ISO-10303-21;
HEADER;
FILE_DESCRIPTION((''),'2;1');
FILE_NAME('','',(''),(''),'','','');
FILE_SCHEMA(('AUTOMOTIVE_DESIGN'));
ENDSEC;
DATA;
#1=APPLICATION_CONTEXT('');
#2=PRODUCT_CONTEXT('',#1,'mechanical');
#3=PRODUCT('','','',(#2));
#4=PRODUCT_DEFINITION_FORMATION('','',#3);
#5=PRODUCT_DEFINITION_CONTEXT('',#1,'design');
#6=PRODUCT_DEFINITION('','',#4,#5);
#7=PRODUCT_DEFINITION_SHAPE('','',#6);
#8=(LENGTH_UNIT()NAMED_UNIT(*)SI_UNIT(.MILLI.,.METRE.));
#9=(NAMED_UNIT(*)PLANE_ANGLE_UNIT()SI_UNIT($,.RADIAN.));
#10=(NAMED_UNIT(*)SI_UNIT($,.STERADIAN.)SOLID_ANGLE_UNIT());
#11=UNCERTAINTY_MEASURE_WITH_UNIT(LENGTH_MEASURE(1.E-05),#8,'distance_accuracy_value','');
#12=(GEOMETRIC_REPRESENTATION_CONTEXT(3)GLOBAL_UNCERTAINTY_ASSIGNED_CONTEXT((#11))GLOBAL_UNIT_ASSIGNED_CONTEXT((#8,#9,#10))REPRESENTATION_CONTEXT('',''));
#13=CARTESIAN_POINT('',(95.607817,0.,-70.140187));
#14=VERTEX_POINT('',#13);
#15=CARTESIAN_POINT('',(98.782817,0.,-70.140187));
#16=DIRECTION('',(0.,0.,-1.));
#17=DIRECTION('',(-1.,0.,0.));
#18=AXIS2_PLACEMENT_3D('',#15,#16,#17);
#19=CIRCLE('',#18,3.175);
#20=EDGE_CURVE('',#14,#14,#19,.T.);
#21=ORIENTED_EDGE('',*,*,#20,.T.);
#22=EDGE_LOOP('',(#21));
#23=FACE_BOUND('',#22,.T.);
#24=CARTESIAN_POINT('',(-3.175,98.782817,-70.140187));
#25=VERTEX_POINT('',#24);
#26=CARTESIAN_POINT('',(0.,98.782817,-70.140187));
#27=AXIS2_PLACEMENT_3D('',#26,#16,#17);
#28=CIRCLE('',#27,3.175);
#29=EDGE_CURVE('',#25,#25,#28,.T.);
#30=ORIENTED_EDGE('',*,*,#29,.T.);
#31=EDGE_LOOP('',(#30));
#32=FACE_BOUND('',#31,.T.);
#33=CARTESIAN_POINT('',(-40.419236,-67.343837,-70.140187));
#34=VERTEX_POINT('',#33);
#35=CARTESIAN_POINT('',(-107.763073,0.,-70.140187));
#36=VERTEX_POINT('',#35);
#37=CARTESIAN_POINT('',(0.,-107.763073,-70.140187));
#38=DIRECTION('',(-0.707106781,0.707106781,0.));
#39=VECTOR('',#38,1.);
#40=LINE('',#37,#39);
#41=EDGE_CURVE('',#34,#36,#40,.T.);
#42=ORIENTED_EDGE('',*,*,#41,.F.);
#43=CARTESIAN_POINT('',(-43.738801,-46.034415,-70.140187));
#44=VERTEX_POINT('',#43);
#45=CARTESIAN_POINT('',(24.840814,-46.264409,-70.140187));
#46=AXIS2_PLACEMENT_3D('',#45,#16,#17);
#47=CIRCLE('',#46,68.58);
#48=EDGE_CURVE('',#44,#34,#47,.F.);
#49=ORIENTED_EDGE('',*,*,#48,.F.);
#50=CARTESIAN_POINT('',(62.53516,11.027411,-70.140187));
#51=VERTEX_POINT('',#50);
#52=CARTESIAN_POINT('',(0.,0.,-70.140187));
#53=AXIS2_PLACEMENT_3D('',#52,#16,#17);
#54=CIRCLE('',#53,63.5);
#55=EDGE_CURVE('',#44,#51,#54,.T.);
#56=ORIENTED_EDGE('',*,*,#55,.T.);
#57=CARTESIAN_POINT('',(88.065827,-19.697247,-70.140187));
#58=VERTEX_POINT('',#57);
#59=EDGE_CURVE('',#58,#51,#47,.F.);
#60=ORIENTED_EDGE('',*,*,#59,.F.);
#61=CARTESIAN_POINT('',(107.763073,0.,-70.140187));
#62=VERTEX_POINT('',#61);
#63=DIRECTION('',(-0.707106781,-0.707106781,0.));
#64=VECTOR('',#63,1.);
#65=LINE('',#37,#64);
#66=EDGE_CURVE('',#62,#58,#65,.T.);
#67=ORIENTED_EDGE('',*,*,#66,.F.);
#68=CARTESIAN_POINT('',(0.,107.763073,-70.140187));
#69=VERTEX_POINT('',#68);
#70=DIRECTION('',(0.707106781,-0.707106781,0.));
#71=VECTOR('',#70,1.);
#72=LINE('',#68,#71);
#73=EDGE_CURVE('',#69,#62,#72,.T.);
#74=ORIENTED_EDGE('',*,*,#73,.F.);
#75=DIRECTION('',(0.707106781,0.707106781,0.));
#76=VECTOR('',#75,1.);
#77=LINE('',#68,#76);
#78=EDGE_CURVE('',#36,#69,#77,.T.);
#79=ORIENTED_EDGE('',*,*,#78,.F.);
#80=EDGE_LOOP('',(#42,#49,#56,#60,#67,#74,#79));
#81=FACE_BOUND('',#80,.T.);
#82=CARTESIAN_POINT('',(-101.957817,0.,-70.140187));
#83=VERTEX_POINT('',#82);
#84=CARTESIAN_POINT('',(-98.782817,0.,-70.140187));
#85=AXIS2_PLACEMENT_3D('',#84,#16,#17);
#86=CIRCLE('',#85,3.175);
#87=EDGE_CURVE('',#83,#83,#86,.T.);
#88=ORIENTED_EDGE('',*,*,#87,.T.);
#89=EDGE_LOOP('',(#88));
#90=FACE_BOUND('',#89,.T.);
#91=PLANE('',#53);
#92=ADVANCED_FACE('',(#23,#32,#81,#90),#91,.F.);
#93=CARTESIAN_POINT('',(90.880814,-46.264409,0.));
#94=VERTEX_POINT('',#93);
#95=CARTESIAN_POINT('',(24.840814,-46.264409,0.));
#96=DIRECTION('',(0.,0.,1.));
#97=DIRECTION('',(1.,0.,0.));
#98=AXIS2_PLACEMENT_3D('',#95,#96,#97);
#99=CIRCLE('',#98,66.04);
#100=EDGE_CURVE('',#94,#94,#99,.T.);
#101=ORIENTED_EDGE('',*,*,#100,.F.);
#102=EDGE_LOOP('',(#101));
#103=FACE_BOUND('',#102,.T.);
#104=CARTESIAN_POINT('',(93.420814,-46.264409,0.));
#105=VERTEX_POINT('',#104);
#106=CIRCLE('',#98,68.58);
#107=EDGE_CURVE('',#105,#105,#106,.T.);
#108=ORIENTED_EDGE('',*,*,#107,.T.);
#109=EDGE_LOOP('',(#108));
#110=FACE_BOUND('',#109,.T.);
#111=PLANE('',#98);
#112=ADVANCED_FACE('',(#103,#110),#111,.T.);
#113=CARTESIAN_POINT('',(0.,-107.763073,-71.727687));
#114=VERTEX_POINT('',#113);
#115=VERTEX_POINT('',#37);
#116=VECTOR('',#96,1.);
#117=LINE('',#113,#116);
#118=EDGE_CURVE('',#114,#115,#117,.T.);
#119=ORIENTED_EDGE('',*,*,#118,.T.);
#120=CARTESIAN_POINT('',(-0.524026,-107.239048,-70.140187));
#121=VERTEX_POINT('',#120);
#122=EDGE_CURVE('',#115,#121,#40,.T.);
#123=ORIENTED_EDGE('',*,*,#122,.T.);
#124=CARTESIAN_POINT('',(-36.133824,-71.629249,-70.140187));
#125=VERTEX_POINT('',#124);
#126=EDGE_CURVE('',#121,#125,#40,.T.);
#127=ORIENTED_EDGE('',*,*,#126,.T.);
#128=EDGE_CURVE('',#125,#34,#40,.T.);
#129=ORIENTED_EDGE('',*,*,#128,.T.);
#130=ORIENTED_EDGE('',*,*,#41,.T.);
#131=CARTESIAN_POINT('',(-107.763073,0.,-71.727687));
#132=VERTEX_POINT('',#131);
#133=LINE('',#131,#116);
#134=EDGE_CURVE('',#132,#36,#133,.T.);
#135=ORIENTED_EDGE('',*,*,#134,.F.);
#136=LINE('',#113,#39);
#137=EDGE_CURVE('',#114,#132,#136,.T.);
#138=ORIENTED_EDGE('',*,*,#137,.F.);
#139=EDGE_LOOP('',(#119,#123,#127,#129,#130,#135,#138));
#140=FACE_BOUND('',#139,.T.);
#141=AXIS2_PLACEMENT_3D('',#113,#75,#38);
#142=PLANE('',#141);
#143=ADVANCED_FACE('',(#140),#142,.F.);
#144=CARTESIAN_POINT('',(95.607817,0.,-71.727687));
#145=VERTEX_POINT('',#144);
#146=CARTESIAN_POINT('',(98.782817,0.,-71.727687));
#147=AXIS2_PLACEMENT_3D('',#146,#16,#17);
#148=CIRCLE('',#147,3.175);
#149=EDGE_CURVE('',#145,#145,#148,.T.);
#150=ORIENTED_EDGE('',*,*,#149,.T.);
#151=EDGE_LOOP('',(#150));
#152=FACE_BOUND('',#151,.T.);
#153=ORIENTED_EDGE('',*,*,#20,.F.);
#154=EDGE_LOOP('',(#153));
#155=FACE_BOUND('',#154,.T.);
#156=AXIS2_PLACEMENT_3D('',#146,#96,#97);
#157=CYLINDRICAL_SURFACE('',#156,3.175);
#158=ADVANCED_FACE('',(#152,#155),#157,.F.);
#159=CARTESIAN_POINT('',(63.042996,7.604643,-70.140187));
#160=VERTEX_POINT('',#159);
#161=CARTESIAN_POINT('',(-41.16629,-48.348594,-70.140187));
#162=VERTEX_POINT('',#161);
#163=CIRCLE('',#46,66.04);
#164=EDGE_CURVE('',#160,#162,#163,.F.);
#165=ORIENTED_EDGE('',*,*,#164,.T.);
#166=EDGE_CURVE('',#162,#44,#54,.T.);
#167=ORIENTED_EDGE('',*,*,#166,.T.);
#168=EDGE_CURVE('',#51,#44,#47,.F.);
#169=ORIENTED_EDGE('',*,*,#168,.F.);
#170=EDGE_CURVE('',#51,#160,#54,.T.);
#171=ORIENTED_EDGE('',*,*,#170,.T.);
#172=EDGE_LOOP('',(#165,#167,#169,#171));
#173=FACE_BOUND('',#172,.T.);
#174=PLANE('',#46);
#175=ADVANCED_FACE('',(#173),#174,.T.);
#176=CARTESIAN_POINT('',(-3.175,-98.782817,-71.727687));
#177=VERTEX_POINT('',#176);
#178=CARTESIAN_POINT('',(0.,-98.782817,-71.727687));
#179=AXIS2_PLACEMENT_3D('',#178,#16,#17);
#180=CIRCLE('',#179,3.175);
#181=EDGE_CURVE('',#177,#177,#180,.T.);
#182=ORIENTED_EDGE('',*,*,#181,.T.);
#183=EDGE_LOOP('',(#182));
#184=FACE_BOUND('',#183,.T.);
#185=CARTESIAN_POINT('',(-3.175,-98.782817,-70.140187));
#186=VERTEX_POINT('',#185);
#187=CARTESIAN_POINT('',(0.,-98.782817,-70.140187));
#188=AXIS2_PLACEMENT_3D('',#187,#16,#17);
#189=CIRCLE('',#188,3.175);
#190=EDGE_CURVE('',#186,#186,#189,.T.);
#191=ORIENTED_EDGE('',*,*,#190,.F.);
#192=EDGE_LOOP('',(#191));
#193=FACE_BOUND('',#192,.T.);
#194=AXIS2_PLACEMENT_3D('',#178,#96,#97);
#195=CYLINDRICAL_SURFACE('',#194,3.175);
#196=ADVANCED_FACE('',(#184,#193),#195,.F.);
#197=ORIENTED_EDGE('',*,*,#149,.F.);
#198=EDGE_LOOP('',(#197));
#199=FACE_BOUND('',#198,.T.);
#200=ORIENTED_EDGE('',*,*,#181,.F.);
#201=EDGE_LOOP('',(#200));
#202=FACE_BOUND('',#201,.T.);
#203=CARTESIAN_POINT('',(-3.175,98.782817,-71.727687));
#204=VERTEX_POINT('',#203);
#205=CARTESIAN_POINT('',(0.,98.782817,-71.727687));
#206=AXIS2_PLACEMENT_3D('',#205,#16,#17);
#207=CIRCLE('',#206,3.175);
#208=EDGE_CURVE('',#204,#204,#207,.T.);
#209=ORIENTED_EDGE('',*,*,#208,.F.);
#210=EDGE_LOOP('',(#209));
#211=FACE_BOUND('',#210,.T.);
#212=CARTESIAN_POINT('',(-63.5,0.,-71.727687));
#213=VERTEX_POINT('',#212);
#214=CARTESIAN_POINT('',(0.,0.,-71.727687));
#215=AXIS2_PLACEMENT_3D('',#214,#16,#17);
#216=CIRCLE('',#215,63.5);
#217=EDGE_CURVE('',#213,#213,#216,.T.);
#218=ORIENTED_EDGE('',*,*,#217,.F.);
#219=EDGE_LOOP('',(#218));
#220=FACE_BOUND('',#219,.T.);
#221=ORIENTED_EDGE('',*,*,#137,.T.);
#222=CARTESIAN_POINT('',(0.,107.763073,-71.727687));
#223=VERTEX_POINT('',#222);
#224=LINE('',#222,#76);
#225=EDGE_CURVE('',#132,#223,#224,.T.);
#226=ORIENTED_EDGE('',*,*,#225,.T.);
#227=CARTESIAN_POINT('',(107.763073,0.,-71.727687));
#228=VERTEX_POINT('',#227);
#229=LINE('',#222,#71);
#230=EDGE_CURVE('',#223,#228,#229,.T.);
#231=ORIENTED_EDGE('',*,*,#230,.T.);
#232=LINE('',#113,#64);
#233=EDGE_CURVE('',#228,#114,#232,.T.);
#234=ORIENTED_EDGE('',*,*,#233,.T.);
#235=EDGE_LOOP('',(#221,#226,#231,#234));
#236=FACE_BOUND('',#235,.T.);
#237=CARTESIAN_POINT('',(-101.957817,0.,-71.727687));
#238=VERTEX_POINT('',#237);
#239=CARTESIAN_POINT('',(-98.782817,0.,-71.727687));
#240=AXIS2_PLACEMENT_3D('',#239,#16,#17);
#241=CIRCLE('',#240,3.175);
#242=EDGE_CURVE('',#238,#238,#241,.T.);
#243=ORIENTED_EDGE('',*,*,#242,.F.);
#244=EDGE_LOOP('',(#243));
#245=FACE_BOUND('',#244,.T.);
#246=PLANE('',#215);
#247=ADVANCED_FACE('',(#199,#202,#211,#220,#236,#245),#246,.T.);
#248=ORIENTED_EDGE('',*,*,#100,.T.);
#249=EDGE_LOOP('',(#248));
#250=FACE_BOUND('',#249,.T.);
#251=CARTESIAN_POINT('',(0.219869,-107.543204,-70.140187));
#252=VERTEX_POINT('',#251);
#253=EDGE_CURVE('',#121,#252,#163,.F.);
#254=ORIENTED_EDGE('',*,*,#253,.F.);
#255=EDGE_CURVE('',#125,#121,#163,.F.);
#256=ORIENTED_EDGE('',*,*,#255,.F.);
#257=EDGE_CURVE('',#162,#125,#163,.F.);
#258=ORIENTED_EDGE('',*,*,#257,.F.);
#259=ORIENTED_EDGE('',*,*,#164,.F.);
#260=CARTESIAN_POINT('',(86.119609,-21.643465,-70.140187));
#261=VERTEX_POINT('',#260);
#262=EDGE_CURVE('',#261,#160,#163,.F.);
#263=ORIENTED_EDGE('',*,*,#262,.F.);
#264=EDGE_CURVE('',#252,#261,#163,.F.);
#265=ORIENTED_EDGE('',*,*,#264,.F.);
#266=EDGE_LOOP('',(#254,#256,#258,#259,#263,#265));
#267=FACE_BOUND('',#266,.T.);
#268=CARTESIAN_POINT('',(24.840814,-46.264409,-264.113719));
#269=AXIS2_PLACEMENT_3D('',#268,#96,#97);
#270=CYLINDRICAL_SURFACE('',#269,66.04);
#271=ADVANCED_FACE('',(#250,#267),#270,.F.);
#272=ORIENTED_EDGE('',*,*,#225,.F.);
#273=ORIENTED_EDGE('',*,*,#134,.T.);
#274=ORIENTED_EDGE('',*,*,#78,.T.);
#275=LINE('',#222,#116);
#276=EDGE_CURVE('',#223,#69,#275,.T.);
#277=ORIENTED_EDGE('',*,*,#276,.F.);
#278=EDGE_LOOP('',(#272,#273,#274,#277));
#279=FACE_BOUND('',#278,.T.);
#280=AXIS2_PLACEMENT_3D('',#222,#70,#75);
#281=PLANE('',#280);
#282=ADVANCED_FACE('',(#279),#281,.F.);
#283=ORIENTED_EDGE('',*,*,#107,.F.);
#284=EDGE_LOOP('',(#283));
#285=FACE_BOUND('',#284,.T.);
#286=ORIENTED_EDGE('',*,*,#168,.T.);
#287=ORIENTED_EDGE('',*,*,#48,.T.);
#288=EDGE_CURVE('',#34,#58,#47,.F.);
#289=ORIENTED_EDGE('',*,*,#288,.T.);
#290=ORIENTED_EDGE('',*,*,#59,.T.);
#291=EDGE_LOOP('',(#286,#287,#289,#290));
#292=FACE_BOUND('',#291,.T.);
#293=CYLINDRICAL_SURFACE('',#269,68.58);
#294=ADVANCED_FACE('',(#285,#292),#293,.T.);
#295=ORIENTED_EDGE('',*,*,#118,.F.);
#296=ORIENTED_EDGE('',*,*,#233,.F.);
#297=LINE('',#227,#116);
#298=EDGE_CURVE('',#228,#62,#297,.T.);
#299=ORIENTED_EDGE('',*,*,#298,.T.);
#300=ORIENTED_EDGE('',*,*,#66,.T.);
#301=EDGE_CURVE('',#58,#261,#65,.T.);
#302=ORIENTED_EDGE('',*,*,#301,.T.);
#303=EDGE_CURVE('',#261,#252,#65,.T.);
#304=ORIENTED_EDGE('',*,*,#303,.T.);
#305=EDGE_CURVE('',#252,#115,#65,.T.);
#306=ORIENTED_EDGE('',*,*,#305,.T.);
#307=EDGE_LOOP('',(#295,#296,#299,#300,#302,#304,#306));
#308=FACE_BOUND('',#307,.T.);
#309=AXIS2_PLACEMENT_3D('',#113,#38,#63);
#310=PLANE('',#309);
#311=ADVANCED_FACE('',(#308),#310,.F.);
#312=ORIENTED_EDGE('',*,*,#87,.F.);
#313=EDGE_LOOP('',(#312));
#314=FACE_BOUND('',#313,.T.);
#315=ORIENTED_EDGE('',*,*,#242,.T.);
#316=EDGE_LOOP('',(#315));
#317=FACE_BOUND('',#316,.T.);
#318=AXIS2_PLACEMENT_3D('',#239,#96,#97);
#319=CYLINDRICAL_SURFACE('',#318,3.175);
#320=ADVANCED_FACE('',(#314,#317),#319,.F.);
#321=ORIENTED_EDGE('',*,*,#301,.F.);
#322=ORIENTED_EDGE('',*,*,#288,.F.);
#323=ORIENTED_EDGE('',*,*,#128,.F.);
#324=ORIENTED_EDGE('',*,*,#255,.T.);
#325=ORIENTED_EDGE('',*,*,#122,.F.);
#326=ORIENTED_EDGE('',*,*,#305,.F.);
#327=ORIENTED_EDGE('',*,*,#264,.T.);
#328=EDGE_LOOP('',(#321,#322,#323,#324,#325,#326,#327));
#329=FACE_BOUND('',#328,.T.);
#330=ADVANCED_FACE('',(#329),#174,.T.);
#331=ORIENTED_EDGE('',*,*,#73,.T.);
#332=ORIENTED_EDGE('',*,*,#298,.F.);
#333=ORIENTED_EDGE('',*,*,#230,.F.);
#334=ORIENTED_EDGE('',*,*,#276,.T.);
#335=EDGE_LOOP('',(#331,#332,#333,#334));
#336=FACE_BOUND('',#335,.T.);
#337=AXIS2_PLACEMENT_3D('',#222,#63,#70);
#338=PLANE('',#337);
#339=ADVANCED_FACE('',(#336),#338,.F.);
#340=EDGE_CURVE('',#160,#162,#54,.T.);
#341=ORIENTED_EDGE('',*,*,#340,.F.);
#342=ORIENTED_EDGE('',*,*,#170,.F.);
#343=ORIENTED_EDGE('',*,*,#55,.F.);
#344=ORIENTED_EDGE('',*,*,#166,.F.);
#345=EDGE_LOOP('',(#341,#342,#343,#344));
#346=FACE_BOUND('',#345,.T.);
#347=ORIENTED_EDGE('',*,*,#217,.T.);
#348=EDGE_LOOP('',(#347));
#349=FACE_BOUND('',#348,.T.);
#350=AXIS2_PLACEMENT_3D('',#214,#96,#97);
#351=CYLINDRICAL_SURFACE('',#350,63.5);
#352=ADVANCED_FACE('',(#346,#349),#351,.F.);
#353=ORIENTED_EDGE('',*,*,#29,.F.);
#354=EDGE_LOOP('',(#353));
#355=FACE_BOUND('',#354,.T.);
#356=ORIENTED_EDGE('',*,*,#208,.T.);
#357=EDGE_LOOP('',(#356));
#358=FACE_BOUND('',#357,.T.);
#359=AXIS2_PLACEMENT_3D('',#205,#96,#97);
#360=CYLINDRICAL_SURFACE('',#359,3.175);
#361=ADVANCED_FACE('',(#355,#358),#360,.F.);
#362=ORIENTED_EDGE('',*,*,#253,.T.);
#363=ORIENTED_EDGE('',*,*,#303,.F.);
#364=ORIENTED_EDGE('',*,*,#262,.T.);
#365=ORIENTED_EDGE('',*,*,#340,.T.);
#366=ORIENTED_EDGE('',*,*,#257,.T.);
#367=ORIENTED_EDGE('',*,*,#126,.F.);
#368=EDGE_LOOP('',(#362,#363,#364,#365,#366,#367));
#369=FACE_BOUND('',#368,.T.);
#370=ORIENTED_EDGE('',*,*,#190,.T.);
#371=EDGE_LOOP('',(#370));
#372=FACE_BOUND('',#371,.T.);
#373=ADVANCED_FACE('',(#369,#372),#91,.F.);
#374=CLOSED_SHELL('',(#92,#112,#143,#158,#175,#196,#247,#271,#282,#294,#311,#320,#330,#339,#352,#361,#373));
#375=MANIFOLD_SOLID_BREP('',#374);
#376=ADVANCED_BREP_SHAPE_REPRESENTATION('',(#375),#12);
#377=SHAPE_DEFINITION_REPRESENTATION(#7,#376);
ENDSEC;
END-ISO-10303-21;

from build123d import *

# Parameters (mm, degrees)
BOSS_EXTRUDE1_START = -70.140187
SKETCH1_R           = 68.58
SKETCH1_R_2         = 66.04
BOSS_EXTRUDE1_DEPTH = 70.140187
SKETCH2_R           = 3.175
SKETCH2_R_2         = 63.5
BOSS_EXTRUDE2_DEPTH = 1.5875


with BuildPart() as part:
    # Sketch1 → Boss-Extrude1 (new body)
    with BuildSketch(Plane.XY.offset(BOSS_EXTRUDE1_START)):
        with Locations((24.840813797, -46.264409372)):
            Circle(SKETCH1_R)
        with Locations((24.840813797, -46.264409372)):
            Circle(SKETCH1_R_2, mode=Mode.SUBTRACT)
    extrude(amount=BOSS_EXTRUDE1_DEPTH)

    # Sketch2 → Boss-Extrude2 (add)
    with BuildSketch(Plane(origin=(0, 0, -70.14018706), x_dir=(-1, 0, 0), z_dir=(0, 0, -1))):
        Polygon((0, -107.763073453), (107.763073453, 0), (0, 107.763073453), (-107.763073453, 0), align=None)
        with Locations((0, 98.782817332)):
            Circle(SKETCH2_R, mode=Mode.SUBTRACT)
        with Locations((98.782817332, 0)):
            Circle(SKETCH2_R, mode=Mode.SUBTRACT)
        with Locations((0, -98.782817332)):
            Circle(SKETCH2_R, mode=Mode.SUBTRACT)
        with Locations((-98.782817332, 0)):
            Circle(SKETCH2_R, mode=Mode.SUBTRACT)
        with Locations(Location((0, 0, 0), (0, 0, 173.121854306))):
            Circle(SKETCH2_R_2, mode=Mode.SUBTRACT)
    extrude(amount=BOSS_EXTRUDE2_DEPTH)


solid = part.part
